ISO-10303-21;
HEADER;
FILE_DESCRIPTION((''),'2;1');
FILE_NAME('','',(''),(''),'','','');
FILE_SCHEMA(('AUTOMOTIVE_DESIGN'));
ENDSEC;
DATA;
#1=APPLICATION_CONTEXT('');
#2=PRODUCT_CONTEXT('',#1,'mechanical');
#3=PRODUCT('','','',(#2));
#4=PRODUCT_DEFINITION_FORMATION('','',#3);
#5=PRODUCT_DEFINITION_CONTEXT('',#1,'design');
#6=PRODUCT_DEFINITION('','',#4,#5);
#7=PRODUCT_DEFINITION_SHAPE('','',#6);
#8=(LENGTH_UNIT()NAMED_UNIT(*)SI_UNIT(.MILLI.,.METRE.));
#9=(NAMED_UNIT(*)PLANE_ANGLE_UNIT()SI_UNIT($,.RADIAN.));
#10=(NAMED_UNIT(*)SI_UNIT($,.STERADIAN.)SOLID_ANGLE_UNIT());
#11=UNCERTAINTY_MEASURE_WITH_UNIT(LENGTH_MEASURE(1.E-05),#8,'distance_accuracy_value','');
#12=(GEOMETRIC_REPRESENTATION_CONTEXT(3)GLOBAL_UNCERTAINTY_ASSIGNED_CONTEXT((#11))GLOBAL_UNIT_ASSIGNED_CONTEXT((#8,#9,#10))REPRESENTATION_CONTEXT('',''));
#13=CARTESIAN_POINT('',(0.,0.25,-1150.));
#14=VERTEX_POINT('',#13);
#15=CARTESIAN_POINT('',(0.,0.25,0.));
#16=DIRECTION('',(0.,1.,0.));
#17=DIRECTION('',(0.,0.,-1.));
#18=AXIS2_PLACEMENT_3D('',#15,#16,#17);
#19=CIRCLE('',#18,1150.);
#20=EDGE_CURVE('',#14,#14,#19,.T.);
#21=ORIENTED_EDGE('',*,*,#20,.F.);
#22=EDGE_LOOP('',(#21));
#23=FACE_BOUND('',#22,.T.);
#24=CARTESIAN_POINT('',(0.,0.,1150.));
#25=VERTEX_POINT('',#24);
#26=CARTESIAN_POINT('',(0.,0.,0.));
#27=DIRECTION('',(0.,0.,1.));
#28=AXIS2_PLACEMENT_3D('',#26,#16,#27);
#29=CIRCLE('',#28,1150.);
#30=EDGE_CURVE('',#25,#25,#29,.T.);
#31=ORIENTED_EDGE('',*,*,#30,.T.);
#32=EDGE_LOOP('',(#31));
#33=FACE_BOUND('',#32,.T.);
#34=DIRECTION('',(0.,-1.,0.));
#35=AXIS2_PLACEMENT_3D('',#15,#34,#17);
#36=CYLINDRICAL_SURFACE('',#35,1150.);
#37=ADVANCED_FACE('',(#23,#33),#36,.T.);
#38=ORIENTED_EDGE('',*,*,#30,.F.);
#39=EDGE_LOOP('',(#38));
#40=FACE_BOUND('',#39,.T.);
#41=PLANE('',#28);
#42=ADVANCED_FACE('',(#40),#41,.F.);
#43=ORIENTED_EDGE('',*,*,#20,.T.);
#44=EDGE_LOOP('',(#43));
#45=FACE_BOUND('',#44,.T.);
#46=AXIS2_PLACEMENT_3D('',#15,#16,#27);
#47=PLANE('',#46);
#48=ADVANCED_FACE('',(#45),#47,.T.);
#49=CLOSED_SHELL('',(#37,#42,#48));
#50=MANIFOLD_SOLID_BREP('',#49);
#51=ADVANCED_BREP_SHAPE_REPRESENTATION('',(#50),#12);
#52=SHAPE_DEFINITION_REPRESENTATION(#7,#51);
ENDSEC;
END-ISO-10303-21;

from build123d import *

# Parameters (mm, degrees)
BOSS_EXTRUDE1_DEPTH = 0.25
CIRPATTERN11_COUNT  = 6


with BuildPart() as part:
    # Sketch1 → Boss-Extrude1 (new body)
    with BuildSketch(Plane(origin=(0, 0, 0), x_dir=(1, 0, 0), z_dir=(0, 1, 0))):
        with BuildLine():
            Line((0, 0), (973.479438029, 612.239972343))
            ThreePointArc((973.479438029, 612.239972343), (1104.988994002, 318.589584157), (1150, 0))
            ThreePointArc((1150, 0), (1116.243331787, -276.58782374), (1016.955088276, -536.937937223))
            Line((1016.955088276, -536.937937223), (0, 0))
        make_face()
    boss_extrude1 = extrude(amount=BOSS_EXTRUDE1_DEPTH)

    # CirPattern11: Boss-Extrude1 ×6 about axis
    cirpattern11_axis = Axis((0, 28.800854228, 0), (0, -1, 0))
    for i in range(1, CIRPATTERN11_COUNT):
        add(boss_extrude1.rotate(cirpattern11_axis, i * 360 / CIRPATTERN11_COUNT))


solid = part.part
